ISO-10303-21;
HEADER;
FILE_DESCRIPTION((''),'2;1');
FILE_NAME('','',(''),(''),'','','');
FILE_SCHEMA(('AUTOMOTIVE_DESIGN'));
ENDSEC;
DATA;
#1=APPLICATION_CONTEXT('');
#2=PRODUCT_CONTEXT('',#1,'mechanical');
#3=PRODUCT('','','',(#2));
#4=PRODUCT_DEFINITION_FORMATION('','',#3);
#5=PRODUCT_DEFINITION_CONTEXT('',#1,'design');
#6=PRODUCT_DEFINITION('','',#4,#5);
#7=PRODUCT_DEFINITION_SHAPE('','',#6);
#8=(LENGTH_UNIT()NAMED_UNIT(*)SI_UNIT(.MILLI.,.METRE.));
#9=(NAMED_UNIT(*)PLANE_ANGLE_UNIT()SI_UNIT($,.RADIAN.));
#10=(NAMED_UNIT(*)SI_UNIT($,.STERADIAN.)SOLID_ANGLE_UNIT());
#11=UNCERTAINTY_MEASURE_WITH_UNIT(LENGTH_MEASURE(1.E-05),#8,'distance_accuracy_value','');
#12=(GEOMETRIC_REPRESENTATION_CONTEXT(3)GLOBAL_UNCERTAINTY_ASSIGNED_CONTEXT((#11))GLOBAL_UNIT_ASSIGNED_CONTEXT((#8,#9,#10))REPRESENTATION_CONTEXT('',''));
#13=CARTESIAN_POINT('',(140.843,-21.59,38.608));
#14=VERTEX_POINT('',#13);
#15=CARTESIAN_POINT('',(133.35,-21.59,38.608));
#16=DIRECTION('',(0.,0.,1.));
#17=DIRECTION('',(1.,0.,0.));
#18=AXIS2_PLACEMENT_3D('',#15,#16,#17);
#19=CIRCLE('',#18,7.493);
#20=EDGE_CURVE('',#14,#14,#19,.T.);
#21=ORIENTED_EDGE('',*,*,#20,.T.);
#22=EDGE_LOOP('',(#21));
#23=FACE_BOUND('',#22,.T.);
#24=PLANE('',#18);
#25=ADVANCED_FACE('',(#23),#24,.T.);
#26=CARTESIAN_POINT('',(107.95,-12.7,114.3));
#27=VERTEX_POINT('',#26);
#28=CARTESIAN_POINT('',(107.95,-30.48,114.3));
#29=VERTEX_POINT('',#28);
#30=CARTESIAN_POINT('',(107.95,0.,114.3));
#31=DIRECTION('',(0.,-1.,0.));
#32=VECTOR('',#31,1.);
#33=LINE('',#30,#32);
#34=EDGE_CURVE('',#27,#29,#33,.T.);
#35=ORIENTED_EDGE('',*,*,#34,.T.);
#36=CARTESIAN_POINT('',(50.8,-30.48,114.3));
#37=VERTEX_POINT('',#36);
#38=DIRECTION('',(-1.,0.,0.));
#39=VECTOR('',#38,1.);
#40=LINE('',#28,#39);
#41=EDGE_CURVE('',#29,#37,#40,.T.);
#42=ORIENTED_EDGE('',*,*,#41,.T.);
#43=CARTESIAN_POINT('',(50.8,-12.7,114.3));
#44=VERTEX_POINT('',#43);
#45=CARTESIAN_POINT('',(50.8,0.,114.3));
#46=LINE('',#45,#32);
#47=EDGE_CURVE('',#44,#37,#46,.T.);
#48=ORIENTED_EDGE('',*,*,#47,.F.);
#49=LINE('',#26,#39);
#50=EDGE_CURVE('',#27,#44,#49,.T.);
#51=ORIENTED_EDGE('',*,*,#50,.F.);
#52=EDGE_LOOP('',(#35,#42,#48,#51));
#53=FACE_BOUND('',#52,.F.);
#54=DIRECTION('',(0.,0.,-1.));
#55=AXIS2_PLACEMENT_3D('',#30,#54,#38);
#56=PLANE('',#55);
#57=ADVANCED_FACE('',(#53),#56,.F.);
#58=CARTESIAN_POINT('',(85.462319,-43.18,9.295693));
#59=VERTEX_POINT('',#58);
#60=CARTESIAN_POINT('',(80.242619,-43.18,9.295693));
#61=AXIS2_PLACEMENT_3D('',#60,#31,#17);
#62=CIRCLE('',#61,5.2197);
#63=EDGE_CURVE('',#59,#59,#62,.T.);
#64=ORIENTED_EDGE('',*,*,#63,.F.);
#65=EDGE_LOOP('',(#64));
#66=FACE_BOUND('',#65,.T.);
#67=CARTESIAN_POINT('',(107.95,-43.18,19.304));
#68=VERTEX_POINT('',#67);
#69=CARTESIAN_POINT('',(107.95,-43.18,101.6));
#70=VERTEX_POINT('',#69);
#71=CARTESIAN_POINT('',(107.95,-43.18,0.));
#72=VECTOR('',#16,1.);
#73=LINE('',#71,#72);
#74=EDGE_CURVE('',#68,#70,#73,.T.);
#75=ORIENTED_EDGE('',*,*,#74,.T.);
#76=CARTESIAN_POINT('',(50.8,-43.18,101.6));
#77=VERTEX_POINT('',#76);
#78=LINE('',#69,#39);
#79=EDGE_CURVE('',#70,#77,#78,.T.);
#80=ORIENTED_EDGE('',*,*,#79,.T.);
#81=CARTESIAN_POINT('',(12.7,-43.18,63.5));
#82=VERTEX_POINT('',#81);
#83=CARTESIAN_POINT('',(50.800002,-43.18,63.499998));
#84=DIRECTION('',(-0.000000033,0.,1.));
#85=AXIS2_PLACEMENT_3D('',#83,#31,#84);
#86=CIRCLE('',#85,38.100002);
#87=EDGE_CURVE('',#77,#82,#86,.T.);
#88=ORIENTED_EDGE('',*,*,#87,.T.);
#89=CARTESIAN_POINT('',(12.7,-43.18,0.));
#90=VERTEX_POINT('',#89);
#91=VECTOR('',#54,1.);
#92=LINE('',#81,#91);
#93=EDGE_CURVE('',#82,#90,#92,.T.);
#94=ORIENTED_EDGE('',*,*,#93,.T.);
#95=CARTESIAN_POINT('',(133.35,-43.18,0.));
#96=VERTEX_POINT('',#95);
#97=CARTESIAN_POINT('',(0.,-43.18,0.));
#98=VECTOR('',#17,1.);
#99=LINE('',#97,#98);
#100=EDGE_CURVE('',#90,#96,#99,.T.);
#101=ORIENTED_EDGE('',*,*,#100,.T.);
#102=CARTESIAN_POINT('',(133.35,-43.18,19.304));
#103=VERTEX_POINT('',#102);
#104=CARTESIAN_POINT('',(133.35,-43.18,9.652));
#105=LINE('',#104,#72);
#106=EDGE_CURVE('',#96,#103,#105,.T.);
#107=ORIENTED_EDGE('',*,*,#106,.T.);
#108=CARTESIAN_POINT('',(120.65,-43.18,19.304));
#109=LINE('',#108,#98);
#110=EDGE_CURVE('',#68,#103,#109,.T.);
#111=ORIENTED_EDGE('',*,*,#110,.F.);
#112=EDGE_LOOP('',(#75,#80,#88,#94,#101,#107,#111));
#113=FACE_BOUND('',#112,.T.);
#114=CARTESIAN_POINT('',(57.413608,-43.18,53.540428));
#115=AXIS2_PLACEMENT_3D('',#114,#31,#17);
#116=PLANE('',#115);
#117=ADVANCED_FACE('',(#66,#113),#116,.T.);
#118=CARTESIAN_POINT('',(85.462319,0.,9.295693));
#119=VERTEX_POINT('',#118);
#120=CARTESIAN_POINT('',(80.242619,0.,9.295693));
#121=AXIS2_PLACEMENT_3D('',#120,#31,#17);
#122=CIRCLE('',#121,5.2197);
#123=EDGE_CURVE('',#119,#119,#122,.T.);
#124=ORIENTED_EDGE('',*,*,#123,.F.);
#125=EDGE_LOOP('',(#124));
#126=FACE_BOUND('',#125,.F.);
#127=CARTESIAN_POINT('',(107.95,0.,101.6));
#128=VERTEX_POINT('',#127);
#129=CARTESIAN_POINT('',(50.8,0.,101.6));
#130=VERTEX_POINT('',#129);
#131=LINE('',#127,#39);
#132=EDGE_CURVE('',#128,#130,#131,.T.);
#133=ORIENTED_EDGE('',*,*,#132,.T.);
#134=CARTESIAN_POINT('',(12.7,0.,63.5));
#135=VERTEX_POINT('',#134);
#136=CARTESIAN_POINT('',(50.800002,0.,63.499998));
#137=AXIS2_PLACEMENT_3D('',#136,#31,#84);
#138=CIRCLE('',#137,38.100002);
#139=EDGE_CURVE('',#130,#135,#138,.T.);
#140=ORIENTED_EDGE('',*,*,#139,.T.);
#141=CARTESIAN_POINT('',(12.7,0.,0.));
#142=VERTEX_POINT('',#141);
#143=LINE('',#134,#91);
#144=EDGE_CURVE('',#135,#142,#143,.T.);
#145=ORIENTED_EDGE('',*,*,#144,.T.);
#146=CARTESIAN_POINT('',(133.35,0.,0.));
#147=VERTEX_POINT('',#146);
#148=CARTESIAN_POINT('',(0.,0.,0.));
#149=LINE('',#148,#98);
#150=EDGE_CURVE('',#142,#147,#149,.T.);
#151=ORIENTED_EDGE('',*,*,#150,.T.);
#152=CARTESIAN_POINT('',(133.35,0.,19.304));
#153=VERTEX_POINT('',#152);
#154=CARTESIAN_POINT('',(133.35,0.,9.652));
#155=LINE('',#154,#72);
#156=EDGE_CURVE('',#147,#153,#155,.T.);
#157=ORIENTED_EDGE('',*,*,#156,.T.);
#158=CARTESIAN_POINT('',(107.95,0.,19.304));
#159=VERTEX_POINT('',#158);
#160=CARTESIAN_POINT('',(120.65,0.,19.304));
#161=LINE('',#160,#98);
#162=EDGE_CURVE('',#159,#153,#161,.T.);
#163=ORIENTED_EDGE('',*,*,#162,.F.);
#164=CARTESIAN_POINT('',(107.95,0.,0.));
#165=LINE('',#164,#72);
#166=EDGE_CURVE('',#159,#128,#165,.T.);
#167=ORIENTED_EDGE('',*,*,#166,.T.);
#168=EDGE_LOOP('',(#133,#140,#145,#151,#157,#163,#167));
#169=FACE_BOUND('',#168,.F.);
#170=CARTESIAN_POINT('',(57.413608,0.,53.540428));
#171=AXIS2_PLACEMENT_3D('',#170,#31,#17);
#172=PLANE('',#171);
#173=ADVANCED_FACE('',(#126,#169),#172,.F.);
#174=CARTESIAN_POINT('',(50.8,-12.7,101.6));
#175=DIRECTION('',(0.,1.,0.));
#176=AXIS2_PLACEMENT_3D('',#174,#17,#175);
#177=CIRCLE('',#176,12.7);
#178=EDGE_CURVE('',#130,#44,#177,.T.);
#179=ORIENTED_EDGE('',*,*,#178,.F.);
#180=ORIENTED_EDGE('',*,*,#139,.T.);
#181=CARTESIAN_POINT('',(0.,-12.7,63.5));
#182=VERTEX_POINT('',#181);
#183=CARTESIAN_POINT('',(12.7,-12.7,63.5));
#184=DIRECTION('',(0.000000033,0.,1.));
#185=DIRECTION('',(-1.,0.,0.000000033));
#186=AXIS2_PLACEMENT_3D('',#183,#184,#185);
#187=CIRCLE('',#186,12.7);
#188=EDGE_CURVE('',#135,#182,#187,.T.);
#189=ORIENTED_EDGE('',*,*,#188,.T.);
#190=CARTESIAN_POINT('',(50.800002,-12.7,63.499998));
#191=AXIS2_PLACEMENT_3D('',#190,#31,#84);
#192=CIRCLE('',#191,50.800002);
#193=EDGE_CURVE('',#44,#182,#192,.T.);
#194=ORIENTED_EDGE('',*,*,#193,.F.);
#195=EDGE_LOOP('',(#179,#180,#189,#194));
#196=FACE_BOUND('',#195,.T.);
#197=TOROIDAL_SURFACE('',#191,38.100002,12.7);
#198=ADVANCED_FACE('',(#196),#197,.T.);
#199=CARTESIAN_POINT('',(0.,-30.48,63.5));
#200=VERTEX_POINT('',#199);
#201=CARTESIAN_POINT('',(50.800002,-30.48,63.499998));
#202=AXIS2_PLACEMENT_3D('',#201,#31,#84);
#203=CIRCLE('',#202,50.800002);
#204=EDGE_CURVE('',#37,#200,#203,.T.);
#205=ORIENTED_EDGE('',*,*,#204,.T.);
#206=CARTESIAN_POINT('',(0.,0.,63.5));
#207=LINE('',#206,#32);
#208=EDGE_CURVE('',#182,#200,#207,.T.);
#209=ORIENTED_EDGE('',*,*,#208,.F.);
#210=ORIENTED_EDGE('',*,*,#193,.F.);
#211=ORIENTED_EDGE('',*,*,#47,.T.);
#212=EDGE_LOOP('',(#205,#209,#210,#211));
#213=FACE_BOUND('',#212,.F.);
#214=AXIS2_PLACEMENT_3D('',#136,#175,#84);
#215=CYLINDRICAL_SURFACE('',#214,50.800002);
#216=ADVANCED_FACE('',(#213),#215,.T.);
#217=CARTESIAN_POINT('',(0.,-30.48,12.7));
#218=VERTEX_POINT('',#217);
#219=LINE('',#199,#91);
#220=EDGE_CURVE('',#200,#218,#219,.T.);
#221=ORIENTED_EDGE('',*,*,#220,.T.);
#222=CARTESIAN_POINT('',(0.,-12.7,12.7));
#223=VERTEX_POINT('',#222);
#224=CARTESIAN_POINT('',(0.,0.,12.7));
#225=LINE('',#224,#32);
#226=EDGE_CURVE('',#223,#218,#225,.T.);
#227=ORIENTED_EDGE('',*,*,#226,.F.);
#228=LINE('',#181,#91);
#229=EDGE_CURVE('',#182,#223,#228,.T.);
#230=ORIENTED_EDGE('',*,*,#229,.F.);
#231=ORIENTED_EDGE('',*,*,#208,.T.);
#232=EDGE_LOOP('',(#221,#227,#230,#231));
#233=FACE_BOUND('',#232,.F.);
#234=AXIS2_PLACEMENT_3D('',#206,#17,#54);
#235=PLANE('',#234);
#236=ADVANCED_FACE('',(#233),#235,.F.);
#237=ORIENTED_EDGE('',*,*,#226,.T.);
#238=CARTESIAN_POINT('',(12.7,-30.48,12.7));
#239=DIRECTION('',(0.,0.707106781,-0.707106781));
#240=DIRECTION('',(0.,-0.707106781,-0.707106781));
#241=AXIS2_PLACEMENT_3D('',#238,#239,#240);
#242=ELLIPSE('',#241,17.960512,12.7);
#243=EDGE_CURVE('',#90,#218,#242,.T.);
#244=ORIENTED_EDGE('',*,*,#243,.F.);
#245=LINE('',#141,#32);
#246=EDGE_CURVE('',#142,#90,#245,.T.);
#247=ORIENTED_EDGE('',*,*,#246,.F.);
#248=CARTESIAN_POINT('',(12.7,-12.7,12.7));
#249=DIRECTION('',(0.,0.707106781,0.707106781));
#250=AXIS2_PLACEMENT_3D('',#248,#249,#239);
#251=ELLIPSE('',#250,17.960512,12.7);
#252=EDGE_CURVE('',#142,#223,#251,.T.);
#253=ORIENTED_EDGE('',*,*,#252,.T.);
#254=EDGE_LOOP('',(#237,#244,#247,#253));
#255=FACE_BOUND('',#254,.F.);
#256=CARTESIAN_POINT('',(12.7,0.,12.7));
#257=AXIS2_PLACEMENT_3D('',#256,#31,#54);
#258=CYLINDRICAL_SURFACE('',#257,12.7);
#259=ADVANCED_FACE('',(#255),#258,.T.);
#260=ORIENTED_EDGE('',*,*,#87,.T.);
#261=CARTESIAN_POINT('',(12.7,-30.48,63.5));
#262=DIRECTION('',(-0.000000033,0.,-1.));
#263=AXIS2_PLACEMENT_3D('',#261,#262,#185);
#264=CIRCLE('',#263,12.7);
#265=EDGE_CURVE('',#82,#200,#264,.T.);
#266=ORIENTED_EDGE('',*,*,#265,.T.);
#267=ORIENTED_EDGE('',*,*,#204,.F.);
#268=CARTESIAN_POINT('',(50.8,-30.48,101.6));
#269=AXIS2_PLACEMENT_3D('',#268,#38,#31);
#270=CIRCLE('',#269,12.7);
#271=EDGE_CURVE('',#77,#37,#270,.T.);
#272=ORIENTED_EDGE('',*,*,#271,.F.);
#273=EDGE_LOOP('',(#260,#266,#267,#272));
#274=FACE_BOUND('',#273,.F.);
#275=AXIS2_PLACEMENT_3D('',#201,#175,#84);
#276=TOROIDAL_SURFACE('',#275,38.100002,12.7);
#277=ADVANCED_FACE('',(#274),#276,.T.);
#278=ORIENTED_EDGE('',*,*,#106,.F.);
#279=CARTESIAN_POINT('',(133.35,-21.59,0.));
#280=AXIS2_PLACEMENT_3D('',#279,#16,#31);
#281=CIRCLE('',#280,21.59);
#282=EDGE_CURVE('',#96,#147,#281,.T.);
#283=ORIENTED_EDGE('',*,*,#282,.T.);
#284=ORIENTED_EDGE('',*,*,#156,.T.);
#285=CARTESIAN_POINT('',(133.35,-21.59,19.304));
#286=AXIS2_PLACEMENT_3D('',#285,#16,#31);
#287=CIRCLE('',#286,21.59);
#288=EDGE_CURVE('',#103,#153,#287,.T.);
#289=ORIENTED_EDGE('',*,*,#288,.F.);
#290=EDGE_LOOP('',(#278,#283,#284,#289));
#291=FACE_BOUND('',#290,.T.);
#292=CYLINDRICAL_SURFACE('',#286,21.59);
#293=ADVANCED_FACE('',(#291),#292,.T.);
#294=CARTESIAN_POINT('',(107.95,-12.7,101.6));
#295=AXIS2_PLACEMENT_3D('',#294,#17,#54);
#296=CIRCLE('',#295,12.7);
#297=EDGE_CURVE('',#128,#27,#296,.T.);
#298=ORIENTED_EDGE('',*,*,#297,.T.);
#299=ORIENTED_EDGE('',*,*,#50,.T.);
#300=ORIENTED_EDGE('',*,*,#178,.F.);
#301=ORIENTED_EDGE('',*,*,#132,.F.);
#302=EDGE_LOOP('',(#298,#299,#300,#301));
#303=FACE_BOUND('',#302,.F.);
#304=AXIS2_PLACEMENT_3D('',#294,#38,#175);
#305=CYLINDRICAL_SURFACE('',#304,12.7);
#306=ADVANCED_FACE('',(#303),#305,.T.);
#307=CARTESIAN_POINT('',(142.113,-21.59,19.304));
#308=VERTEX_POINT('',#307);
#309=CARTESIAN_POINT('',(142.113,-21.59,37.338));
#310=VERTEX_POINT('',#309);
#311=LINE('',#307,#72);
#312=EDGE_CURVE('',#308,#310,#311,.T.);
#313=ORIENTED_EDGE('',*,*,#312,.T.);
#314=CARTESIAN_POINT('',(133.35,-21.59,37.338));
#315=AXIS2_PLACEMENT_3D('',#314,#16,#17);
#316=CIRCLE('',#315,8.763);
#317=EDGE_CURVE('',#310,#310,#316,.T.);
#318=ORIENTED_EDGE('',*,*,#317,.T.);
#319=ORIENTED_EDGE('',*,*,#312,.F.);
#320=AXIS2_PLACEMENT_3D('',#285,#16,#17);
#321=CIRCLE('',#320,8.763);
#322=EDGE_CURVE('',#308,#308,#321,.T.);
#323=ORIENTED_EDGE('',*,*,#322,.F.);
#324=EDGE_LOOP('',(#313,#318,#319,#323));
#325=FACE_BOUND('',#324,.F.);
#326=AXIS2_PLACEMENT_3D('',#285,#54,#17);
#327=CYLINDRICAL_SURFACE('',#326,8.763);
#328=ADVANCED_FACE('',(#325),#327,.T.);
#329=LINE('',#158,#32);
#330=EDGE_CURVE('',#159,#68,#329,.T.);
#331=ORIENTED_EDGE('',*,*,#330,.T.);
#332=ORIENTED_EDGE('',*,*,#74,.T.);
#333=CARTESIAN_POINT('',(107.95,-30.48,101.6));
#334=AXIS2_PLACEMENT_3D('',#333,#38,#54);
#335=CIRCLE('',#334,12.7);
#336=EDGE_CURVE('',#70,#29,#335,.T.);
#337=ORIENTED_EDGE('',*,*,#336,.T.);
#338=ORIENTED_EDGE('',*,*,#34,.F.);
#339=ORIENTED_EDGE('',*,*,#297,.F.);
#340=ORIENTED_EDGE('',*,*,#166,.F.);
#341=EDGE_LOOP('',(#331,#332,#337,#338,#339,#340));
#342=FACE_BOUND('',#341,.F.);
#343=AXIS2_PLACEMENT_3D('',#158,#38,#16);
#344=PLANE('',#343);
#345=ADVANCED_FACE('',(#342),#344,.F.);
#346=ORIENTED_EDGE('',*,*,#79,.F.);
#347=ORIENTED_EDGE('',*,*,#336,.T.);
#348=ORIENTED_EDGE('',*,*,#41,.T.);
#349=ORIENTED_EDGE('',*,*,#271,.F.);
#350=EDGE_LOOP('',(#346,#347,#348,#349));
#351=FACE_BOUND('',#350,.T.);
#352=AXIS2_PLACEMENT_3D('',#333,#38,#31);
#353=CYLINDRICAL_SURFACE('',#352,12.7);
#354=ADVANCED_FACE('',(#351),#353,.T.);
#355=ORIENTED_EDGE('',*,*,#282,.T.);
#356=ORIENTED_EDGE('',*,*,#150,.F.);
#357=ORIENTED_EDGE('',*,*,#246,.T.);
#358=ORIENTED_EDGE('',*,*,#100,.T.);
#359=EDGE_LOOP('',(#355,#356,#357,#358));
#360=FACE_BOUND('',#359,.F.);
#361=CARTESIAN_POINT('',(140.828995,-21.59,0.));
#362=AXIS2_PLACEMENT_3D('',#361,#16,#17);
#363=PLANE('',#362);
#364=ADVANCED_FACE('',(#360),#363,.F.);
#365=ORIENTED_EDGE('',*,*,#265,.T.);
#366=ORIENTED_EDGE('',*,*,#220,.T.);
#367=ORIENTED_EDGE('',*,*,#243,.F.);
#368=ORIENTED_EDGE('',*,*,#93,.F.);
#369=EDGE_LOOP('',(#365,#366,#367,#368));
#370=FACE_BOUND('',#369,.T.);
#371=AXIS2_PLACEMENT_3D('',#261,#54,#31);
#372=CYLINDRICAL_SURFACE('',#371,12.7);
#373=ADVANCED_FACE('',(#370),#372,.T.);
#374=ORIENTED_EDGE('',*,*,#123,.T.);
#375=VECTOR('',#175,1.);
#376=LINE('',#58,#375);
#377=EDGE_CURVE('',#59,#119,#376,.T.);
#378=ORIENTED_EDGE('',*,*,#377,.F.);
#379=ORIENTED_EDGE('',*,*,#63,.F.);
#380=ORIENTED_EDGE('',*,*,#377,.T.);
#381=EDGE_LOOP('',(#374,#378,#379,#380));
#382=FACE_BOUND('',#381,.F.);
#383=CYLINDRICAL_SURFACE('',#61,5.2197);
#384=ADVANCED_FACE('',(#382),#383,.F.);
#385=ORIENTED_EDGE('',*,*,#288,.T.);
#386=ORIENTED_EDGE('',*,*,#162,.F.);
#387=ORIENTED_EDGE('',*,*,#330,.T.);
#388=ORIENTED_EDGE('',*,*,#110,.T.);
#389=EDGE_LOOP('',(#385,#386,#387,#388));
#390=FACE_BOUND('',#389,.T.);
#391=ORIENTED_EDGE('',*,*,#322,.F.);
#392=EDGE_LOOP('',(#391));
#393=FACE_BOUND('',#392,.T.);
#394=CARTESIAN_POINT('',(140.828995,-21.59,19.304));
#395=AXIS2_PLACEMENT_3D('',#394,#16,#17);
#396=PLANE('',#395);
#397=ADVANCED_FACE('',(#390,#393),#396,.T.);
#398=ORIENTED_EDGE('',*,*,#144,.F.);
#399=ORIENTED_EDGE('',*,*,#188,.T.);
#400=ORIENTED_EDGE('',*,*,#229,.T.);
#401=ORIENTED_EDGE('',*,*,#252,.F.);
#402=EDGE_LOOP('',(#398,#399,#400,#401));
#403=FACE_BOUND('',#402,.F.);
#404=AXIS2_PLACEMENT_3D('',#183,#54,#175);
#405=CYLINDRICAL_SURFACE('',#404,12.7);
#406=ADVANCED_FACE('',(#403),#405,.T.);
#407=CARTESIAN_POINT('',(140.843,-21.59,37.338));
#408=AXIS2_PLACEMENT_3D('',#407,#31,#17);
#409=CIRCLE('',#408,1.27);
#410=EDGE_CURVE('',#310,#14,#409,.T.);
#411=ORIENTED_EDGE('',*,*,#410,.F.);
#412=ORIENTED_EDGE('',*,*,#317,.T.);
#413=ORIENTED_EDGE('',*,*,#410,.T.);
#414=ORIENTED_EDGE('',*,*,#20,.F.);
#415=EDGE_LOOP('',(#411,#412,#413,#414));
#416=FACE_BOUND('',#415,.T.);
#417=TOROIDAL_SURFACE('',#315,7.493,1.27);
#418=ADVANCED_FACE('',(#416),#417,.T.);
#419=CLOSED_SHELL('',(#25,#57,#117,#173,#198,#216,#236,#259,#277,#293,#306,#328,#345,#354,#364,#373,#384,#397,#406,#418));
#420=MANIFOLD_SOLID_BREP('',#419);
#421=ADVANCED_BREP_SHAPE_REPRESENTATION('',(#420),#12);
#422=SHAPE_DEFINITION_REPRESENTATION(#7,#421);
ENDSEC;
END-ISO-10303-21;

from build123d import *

# Parameters (mm, degrees)
F0_W     = 25.4
F0_H     = 19.304
F1_DEPTH = 43.18
F3_DEPTH = 19.304
F4_R     = 8.763
F5_DEPTH = 19.304
F6_R     = 1.27
F7_R     = 12.7
F8_R     = 5.2197
F9_DEPTH = 43.181


with BuildPart() as f1:
    # F0 (on Front) → F1 (new body)
    with BuildSketch(Plane.XZ):
        with BuildLine():
            Line((0, 63.5), (0, 0))
            Line((0, 0), (107.95, 0))
            Line((107.95, 0), (107.95, 19.304))
            Line((107.95, 19.304), (107.95, 114.3))
            Line((107.95, 114.3), (50.8, 114.3))
            ThreePointArc((50.8, 114.3), (14.878976, 99.421024), (0, 63.5))
        make_face()
        with Locations((120.65, 9.652)):
            Rectangle(F0_W, F0_H)
    extrude(amount=F1_DEPTH)

    # F2 (on face) → F3 (join)
    with BuildSketch(Plane.XY.offset(19.304)):
        with BuildLine():
            Line((133.35, 0), (133.35, -43.18))
            ThreePointArc((133.35, -43.18), (154.94, -21.59), (133.35, 0))
        make_face()
    extrude(amount=-F3_DEPTH)

    # F4 (on face) → F5 (join)
    with BuildSketch(Plane.XY.offset(19.304)):
        with Locations((133.35, -21.59)):
            Circle(F4_R)
    extrude(amount=F5_DEPTH)

    # F6
    f6_edges = [f1.edges().sort_by_distance(p)[0] for p in [
        (124.587, -21.59, 38.608),
    ]]
    fillet(f6_edges, radius=F6_R)

    # F7
    f7_edges = [f1.edges().sort_by_distance(p)[0] for p in [
        (50.8, -21.59, 114.3),
        (0, -21.59, 63.5),
        (14.878976, 0, 99.421024),
        (14.878976, -43.18, 99.421024),
        (0, -21.59, 0),
    ]]
    fillet(f7_edges, radius=F7_R)

    # F8 (on face) → F9 (cut, through all)
    with BuildSketch(Plane.XZ.offset(43.18)):
        with Locations((80.242619, 9.295693)):
            Circle(F8_R)
    extrude(amount=-F9_DEPTH, mode=Mode.SUBTRACT)


solid = f1.part
